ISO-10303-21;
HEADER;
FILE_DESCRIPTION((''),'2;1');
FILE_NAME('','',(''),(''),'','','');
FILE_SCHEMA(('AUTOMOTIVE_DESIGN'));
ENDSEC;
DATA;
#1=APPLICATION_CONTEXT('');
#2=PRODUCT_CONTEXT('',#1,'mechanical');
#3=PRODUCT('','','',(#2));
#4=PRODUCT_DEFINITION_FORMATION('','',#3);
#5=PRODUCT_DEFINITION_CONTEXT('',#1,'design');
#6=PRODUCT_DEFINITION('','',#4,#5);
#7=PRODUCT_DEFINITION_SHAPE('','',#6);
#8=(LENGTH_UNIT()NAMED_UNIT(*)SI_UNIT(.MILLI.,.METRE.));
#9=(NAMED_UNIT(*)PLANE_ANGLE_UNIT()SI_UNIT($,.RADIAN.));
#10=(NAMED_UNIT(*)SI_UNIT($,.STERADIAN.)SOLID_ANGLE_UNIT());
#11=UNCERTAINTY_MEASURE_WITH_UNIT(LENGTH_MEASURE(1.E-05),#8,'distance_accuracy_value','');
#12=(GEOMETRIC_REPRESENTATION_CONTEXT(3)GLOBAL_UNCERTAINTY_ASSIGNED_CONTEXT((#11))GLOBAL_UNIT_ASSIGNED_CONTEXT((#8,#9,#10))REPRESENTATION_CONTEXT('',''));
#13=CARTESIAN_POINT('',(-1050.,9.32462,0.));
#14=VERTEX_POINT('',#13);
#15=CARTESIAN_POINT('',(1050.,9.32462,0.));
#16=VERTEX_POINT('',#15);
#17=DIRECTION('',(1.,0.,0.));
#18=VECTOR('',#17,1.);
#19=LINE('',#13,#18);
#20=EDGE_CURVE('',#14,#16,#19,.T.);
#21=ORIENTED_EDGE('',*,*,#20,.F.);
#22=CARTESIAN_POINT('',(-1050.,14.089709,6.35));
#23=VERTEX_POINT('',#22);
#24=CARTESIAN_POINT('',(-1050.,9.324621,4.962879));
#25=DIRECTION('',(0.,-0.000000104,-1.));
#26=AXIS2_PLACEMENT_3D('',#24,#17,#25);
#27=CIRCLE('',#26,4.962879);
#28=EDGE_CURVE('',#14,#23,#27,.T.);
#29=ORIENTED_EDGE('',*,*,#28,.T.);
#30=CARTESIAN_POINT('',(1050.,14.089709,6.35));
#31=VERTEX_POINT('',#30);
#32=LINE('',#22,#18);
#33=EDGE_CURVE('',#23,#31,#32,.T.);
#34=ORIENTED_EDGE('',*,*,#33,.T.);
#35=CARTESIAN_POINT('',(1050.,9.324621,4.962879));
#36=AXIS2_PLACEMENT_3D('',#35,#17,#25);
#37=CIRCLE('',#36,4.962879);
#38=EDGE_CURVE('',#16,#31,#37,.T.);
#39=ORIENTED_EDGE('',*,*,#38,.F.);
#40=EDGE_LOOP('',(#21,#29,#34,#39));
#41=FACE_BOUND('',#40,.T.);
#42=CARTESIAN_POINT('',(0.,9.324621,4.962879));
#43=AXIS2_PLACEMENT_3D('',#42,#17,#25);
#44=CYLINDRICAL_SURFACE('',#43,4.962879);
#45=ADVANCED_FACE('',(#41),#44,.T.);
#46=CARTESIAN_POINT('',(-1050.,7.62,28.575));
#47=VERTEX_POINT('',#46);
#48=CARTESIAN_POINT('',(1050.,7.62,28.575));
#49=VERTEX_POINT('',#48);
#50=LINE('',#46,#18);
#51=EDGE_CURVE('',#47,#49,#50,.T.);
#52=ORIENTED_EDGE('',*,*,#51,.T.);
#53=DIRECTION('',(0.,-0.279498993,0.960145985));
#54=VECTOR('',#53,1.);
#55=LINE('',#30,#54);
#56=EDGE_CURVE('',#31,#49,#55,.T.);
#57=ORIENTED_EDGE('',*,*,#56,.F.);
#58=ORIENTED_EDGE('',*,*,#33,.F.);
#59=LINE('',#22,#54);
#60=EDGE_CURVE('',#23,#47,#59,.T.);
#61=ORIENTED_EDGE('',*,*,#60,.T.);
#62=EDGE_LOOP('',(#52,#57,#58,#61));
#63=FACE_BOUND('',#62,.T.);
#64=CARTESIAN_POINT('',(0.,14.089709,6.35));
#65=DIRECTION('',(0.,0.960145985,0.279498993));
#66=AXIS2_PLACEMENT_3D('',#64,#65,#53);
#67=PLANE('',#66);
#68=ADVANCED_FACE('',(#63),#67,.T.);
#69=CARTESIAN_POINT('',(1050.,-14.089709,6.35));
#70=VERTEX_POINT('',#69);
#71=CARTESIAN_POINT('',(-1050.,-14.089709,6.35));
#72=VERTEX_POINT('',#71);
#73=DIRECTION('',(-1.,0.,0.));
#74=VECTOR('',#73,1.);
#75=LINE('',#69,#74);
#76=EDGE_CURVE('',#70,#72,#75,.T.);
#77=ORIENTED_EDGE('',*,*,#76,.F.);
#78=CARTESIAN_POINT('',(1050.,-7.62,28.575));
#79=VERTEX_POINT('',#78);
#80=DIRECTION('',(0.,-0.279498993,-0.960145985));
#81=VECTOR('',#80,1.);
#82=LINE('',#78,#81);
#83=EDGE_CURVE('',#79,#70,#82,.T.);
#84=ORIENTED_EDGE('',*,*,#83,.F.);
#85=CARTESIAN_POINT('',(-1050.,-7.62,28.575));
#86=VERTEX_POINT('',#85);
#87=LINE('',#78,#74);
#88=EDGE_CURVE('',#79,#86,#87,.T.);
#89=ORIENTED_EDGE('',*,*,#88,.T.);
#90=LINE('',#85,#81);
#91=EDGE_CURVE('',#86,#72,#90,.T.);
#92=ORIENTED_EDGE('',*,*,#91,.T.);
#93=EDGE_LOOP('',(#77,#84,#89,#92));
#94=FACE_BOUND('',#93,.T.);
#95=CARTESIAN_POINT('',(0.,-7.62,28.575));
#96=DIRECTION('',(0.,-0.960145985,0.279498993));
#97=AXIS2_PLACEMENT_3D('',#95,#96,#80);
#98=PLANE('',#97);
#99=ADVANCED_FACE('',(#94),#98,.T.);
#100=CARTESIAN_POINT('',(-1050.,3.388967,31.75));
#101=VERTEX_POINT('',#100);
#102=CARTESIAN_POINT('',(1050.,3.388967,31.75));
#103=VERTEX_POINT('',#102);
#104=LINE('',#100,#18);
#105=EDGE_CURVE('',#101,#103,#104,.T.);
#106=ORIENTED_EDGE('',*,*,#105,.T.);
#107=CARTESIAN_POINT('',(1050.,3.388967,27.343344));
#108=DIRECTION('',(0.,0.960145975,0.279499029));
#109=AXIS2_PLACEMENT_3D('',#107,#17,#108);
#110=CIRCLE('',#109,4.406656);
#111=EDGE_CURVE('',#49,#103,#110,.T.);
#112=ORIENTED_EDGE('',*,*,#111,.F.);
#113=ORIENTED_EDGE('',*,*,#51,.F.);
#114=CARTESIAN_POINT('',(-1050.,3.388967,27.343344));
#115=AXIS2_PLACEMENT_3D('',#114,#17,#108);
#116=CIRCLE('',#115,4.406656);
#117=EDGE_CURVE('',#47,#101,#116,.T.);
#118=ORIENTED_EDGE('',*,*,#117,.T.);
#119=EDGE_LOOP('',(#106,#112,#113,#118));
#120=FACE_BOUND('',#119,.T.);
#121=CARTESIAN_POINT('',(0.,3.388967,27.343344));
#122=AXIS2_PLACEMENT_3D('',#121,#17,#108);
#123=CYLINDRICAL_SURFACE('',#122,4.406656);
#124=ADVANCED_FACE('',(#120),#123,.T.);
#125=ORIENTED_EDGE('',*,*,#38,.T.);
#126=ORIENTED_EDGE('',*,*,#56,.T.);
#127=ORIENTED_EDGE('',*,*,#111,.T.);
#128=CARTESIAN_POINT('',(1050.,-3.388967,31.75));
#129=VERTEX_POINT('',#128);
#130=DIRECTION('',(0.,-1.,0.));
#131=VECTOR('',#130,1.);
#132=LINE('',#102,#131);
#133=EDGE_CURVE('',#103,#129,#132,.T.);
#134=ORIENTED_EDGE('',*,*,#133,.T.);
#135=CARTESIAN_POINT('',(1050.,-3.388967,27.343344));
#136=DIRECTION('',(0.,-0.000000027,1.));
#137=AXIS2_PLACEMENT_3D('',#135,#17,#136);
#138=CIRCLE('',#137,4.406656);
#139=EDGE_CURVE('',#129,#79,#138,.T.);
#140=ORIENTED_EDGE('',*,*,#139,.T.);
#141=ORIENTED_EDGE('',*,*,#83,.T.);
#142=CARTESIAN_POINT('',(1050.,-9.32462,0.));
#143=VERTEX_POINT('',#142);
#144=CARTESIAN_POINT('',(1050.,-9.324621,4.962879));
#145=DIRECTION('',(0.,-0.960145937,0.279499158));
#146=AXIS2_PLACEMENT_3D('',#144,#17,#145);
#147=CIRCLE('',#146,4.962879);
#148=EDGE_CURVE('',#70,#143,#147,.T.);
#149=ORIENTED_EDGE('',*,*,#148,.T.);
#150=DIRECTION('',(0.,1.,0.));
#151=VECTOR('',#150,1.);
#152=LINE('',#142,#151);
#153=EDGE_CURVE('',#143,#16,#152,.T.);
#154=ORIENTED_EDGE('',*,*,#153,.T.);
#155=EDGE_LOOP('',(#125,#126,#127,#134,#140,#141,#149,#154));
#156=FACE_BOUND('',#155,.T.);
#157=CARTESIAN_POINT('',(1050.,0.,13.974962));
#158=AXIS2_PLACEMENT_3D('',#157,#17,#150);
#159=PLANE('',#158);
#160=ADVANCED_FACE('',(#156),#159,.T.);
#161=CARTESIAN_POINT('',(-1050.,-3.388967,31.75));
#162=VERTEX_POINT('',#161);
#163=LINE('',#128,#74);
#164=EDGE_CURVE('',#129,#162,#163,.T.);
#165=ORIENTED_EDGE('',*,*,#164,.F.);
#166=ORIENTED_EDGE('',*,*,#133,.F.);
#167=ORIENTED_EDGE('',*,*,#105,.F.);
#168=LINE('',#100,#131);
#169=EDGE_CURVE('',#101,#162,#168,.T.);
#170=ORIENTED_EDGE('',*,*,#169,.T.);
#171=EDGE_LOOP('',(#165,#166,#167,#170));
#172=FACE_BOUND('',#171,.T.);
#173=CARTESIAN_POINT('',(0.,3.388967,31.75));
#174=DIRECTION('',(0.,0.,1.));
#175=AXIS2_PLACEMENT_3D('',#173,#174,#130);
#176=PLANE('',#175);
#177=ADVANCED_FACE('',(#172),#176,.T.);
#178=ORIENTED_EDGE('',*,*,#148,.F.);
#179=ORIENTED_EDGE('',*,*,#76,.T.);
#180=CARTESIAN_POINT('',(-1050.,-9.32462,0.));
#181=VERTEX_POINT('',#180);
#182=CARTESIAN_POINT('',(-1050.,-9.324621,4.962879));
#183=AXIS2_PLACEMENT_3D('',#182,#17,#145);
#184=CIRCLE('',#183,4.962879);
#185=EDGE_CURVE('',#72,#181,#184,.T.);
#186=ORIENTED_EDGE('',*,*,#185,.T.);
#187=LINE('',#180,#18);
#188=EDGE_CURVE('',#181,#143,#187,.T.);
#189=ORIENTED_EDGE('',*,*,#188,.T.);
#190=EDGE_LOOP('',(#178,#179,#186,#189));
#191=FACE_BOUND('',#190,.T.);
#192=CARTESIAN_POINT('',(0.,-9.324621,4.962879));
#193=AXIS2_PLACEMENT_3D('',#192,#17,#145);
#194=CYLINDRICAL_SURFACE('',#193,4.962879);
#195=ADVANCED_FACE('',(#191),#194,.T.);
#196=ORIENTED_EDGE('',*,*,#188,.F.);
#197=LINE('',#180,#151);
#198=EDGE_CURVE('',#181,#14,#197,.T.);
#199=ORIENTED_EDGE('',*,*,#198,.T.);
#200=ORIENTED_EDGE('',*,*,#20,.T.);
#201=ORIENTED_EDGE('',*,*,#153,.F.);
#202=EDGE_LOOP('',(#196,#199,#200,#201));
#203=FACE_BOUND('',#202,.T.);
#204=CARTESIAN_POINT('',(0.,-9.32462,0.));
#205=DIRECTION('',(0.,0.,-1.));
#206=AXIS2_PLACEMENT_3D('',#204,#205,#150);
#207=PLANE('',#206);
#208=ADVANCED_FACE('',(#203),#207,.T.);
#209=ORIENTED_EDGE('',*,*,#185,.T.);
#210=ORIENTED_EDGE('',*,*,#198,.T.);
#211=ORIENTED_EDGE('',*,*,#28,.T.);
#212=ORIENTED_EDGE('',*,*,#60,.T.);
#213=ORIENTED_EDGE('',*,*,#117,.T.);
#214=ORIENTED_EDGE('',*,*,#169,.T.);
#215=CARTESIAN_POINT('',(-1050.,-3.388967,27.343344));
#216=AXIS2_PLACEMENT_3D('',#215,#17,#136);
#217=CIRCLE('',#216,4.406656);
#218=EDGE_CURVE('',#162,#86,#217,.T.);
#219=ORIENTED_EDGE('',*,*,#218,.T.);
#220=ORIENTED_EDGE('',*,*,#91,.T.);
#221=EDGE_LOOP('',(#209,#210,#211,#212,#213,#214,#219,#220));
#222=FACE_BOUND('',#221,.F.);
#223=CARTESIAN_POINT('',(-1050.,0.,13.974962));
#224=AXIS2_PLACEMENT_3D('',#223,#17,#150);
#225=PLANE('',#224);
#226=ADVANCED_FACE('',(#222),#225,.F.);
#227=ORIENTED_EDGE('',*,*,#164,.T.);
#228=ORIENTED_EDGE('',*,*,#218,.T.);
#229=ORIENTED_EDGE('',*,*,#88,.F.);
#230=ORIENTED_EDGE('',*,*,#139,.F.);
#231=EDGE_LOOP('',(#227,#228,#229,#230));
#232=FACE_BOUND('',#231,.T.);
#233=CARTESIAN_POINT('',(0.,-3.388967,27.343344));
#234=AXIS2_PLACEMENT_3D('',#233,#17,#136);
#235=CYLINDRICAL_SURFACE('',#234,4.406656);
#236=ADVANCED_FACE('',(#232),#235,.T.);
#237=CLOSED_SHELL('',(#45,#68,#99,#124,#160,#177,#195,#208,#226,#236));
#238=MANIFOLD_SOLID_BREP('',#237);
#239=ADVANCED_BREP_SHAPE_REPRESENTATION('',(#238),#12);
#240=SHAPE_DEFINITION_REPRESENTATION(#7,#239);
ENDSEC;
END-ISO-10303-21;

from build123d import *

# Parameters (mm, degrees)
F1_DEPTH = 1050


with BuildPart() as f1:
    # F0 (on Right) → F1 (new body, symmetric)
    with BuildSketch(Plane.YZ):
        with BuildLine():
            ThreePointArc((-14.089709, 6.35), (-13.294147, 1.984116), (-9.32462, 0))
            Line((-9.32462, 0), (9.32462, 0))
            ThreePointArc((9.32462, 0), (13.294147, 1.984116), (14.089709, 6.35))
            Line((14.089709, 6.35), (7.62, 28.575))
            ThreePointArc((7.62, 28.575), (6.03388, 30.867979), (3.388967, 31.75))
            Line((3.388967, 31.75), (-3.388967, 31.75))
            ThreePointArc((-3.388967, 31.75), (-6.03388, 30.867979), (-7.62, 28.575))
            Line((-7.62, 28.575), (-14.089709, 6.35))
        make_face()
    extrude(amount=F1_DEPTH, both=True)


solid = f1.part
